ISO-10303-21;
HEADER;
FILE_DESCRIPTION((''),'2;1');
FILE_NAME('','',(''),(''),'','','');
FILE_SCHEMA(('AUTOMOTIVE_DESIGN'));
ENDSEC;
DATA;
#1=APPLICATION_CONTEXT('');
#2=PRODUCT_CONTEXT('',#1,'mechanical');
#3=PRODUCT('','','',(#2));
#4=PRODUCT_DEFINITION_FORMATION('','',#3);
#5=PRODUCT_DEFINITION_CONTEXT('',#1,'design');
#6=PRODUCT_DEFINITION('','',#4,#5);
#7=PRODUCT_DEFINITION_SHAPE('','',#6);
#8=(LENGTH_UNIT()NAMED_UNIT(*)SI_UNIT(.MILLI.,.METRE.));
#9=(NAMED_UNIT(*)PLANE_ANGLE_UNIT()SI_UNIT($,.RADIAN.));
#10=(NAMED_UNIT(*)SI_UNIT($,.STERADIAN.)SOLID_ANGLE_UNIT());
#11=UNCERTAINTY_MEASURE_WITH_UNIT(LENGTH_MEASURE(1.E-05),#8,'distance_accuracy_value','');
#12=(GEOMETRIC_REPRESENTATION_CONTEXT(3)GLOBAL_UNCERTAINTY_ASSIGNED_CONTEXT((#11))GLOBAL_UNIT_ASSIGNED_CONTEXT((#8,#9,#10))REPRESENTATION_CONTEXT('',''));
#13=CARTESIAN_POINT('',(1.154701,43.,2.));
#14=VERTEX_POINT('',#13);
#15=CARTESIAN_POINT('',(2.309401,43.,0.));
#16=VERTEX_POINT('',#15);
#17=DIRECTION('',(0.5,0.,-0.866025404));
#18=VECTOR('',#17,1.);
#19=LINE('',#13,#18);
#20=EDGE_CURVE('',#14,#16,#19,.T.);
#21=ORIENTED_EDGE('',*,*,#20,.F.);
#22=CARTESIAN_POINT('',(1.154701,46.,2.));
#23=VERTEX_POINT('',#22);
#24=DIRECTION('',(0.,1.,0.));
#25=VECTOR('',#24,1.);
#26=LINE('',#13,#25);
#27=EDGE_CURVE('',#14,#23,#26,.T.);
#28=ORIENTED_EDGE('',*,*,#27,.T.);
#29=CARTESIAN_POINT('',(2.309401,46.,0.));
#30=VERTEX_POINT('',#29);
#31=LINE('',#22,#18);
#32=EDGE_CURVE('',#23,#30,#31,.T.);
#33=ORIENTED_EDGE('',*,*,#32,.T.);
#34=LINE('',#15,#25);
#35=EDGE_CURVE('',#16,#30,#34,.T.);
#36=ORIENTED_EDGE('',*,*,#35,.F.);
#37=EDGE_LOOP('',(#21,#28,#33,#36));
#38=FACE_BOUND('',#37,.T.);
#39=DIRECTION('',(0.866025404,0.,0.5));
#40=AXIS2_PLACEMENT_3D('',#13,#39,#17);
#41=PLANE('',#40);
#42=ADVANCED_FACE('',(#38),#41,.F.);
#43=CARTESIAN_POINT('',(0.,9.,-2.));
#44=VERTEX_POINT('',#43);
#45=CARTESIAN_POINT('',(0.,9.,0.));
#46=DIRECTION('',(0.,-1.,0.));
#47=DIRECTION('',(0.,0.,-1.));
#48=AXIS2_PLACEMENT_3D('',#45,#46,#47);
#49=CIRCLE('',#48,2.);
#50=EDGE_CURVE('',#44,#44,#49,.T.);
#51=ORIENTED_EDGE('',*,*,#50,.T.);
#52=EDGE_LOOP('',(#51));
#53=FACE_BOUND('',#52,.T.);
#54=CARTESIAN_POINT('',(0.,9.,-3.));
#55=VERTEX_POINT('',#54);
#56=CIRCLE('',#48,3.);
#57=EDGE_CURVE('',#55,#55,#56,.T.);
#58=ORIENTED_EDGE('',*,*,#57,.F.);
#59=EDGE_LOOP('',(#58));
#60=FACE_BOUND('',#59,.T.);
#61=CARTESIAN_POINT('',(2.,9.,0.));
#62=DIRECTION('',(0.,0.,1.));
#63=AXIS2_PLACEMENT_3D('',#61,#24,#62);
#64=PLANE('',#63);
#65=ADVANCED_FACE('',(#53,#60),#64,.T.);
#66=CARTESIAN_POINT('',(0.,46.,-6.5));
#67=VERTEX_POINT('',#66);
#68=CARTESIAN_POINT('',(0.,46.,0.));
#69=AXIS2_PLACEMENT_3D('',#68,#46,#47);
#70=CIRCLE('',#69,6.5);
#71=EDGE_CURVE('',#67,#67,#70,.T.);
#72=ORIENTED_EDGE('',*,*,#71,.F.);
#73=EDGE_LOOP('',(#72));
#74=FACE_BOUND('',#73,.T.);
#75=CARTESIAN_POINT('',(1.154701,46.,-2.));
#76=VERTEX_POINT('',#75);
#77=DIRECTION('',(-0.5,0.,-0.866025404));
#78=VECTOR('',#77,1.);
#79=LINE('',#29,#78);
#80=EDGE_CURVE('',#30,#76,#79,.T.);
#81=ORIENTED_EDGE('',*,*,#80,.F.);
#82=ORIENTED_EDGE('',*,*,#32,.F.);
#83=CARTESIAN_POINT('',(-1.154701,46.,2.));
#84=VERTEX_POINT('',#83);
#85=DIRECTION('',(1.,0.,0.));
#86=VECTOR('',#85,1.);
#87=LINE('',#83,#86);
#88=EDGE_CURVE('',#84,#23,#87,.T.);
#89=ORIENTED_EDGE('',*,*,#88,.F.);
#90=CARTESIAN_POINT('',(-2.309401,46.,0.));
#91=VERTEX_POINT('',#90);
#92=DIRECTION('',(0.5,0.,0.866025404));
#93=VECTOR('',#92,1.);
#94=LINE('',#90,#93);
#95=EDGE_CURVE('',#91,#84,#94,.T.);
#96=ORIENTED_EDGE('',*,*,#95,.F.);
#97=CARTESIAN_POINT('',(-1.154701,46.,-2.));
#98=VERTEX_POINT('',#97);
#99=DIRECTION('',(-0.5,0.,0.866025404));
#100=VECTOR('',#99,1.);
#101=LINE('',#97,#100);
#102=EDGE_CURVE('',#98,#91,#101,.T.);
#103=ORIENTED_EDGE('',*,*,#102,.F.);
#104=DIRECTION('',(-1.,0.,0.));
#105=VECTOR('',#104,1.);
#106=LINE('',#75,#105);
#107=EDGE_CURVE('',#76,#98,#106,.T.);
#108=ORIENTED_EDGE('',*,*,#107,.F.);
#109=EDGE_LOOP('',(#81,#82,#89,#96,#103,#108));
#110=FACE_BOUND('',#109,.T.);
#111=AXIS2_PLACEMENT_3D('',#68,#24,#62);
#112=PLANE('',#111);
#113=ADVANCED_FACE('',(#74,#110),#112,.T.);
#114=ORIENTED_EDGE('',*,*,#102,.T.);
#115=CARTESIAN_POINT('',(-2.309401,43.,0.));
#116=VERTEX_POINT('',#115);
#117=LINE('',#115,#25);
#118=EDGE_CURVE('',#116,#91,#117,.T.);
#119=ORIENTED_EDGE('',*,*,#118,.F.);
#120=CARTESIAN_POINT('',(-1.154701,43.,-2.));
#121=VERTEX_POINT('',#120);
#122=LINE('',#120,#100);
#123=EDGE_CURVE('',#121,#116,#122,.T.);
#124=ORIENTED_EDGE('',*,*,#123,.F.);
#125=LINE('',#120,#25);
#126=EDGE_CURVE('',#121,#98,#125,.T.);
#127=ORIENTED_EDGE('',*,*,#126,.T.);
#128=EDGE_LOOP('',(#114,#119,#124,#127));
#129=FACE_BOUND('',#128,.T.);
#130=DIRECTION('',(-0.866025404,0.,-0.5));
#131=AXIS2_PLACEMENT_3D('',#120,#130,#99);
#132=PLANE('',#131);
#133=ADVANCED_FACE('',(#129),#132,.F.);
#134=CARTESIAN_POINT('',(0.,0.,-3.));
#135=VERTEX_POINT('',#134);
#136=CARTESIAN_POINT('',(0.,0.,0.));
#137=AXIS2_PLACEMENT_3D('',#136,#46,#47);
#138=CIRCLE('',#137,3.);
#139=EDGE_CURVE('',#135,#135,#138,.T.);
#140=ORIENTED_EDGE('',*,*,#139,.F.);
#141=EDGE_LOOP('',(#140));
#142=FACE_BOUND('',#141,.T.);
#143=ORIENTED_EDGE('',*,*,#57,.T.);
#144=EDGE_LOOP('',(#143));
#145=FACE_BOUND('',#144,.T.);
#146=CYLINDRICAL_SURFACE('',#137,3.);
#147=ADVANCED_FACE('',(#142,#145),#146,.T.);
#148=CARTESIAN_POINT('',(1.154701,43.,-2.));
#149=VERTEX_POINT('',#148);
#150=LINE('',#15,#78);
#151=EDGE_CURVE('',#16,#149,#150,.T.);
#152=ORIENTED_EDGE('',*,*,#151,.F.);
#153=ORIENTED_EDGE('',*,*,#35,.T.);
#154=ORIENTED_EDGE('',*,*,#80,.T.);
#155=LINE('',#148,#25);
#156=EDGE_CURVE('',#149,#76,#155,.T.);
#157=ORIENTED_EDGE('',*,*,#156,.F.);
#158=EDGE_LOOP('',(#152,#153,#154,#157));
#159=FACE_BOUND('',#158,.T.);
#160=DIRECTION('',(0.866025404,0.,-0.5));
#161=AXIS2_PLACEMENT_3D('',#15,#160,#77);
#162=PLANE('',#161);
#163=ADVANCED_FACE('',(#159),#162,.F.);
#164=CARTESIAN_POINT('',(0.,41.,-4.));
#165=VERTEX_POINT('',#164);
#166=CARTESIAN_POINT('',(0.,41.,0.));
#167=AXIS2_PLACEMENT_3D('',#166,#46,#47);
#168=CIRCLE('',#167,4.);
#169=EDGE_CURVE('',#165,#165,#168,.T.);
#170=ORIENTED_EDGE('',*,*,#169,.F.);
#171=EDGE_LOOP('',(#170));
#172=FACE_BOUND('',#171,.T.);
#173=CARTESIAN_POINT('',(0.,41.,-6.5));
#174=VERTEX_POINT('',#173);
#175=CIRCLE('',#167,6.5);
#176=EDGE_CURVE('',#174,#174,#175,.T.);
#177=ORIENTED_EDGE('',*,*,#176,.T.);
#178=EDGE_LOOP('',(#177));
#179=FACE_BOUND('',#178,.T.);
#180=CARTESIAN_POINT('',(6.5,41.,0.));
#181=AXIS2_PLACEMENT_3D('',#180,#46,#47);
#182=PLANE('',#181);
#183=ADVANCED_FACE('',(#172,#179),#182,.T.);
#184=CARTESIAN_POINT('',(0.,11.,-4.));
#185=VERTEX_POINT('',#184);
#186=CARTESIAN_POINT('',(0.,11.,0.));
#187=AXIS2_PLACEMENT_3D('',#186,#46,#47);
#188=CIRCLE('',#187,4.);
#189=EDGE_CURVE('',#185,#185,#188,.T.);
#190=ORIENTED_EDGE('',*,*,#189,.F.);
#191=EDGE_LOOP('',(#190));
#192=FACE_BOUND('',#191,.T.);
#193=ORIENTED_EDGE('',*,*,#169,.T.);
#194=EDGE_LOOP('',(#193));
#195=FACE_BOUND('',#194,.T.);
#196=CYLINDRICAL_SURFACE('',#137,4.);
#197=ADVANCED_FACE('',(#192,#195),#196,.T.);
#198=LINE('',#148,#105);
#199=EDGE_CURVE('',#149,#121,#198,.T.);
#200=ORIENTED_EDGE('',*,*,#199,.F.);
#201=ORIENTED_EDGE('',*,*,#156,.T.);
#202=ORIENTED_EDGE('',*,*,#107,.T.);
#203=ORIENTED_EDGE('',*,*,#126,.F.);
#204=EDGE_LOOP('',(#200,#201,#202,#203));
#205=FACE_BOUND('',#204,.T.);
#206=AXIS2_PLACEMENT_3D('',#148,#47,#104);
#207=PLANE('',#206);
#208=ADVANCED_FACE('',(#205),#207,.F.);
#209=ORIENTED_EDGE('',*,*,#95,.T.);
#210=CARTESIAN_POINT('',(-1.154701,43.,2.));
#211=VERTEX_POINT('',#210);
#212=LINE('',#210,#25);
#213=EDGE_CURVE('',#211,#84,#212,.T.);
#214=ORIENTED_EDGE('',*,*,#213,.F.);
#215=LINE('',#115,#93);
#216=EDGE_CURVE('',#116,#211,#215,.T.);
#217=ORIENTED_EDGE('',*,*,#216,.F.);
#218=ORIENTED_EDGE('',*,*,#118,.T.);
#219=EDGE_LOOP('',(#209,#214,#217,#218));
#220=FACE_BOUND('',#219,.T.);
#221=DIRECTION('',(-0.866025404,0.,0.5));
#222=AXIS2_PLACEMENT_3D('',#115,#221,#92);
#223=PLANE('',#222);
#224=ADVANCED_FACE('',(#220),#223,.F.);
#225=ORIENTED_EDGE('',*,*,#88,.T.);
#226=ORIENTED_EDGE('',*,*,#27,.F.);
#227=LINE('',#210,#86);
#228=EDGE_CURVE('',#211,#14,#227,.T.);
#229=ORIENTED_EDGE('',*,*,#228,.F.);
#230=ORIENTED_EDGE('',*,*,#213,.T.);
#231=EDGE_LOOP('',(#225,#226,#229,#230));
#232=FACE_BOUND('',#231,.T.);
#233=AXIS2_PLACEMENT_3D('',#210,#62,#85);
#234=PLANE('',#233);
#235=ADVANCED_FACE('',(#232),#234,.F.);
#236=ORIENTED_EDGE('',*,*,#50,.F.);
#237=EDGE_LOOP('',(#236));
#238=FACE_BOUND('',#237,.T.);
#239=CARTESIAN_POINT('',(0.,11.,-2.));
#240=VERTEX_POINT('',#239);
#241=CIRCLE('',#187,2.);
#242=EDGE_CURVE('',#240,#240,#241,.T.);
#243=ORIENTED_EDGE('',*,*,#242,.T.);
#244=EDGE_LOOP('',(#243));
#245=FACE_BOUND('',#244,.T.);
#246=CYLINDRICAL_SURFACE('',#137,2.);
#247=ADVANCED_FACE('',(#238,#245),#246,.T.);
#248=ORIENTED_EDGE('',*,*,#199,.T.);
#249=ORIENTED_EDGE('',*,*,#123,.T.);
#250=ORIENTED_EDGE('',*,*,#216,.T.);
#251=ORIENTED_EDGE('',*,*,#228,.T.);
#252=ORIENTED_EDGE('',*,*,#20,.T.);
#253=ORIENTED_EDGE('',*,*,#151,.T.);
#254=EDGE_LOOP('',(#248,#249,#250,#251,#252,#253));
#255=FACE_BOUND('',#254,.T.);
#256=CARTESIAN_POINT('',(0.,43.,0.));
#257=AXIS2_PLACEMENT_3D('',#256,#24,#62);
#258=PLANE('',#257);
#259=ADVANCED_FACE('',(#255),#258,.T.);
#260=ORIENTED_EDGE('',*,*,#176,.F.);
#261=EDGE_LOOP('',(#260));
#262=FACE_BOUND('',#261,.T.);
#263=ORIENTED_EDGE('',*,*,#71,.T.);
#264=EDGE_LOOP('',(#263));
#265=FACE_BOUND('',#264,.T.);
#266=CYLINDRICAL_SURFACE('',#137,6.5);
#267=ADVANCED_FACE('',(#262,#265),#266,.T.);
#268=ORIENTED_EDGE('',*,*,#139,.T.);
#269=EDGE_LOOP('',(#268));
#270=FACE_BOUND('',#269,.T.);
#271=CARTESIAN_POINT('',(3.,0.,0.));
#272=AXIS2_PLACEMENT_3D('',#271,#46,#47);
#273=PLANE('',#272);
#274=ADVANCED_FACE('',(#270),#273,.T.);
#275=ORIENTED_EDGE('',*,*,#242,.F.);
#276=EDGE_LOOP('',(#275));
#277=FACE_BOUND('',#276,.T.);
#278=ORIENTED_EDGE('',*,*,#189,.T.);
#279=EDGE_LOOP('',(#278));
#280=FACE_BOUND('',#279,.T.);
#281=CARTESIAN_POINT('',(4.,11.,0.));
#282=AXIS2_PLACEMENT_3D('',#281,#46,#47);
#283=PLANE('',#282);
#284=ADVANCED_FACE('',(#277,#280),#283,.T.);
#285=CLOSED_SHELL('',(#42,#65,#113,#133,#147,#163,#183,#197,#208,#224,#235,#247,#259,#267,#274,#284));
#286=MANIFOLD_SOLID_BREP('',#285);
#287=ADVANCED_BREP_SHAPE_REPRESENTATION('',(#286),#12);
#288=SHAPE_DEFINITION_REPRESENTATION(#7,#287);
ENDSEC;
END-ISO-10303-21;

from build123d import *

# Parameters (mm, degrees)
CUT_EXTRUDE_1_DEPTH = 3


with BuildPart() as part:
    # 草图1 → 旋转1 (revolve)
    with BuildSketch(Plane.XY, mode=Mode.PRIVATE) as revolve_1_sk:
        Polygon((0, 46), (6.5, 46), (6.5, 41), (4, 41), (4, 11), (2, 11), (2, 9), (3, 9), (3, 0), (0, 0), align=None)
    revolve(revolve_1_sk.sketch.rotate(Axis((0, 0, 0), (0, 1, 0)), 90), axis=Axis((0, 0, 0), (0, 1, 0)))

    # 草图2 → 切除-拉伸1 (cut)
    with BuildSketch(Plane(origin=(0, 46, 0), x_dir=(1, 0, 0), z_dir=(0, 1, 0))):
        Polygon((1.154700538, 2), (-1.154700538, 2), (-2.309401077, 0), (-1.154700538, -2), (1.154700538, -2), (2.309401077, 0), align=None)
    extrude(amount=-CUT_EXTRUDE_1_DEPTH, mode=Mode.SUBTRACT)


solid = part.part
